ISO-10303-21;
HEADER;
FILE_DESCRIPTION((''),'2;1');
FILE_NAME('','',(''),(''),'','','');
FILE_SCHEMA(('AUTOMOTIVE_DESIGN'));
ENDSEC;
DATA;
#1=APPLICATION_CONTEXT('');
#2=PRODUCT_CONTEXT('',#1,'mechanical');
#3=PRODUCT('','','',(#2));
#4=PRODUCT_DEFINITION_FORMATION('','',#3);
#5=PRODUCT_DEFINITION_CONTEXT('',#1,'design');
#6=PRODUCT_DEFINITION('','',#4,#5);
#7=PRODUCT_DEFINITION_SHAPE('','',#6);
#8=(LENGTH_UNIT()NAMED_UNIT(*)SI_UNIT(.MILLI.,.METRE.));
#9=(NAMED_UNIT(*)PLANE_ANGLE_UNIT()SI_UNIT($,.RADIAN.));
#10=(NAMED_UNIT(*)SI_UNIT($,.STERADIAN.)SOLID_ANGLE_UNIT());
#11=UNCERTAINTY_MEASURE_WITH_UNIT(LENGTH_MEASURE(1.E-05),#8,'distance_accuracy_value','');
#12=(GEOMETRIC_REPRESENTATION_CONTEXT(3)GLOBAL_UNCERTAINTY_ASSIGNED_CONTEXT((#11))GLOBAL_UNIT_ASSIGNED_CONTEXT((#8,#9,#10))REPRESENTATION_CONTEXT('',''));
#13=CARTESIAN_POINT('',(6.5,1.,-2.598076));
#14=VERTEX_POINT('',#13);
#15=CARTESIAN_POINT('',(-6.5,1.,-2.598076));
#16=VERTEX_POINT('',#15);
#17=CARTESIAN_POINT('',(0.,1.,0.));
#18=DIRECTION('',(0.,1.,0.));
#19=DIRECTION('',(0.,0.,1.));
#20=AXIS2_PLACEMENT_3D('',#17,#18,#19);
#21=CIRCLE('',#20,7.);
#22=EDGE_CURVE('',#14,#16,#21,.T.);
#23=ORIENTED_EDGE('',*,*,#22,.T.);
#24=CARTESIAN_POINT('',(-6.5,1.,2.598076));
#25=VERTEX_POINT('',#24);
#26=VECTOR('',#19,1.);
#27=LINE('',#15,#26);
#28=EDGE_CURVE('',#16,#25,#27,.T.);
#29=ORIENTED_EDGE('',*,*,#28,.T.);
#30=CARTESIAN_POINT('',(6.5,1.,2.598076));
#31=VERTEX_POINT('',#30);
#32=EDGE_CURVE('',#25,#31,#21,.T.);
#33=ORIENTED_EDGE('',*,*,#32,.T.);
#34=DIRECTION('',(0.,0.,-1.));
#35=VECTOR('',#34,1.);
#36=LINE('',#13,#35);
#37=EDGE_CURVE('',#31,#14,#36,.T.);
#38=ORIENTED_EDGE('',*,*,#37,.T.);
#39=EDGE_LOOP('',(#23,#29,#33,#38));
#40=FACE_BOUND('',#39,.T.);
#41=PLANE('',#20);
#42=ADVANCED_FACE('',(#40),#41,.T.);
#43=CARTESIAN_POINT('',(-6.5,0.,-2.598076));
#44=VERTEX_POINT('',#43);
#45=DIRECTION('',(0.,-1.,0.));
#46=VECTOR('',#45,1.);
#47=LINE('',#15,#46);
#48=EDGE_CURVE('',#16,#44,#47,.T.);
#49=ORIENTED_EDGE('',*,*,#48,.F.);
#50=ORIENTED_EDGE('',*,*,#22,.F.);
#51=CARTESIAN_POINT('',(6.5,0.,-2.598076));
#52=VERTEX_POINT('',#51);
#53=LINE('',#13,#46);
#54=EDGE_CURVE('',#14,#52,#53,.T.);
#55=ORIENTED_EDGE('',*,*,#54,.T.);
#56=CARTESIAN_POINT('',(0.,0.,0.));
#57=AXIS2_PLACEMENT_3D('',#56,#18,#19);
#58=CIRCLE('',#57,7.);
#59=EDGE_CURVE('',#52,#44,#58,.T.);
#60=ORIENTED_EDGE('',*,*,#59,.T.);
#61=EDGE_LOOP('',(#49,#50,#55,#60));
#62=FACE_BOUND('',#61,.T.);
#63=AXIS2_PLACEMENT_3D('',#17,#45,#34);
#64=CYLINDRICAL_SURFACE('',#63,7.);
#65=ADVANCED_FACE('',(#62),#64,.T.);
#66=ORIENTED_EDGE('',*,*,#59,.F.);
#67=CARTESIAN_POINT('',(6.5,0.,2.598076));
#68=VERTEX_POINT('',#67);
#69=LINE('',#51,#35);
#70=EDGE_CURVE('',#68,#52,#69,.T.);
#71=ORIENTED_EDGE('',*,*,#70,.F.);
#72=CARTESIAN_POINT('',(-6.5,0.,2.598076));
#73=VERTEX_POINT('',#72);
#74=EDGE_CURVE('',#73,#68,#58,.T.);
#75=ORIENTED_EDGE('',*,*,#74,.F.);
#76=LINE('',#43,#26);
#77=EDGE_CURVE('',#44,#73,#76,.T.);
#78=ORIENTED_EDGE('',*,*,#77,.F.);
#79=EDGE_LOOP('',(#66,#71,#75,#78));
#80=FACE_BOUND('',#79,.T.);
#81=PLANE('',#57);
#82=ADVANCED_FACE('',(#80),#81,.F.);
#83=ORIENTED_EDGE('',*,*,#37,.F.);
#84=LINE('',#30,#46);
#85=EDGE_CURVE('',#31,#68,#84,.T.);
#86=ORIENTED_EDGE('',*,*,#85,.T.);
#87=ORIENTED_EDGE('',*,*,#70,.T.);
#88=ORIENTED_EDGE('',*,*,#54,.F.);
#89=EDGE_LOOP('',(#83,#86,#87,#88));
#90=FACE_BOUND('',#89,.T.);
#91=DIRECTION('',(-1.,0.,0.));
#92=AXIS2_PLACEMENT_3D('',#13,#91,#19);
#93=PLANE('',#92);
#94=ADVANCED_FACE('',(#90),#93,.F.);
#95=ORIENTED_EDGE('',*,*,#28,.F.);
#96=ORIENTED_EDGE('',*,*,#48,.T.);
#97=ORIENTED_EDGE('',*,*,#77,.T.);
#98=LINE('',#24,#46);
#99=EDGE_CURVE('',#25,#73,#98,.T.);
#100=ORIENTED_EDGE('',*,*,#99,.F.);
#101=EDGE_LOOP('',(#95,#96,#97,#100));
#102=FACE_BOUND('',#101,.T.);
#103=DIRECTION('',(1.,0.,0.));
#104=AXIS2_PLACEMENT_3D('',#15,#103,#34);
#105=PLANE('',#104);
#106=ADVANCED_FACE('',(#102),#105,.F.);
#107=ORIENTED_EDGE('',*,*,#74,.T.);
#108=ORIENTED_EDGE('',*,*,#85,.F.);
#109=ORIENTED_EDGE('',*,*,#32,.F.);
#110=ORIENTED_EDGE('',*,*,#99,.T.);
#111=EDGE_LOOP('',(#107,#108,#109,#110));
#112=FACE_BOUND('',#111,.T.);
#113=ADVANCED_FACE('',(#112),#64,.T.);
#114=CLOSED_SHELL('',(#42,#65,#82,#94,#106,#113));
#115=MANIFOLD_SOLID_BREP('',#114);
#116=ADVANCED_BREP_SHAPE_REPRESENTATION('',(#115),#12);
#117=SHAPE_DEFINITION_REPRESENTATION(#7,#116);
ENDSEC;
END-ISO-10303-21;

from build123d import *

# Parameters (mm, degrees)
BOSS_EXTRUDE1_DEPTH = 1


with BuildPart() as part:
    # Sketch2 → Boss-Extrude1 (new body)
    with BuildSketch(Plane(origin=(0, 0, 0), x_dir=(1, 0, 0), z_dir=(0, 1, 0))):
        with BuildLine():
            Line((-6.5, 2.598076211), (-6.5, -2.598076211))
            ThreePointArc((-6.5, -2.598076211), (0, -7), (6.5, -2.598076211))
            Line((6.5, -2.598076211), (6.5, 2.598076211))
            ThreePointArc((6.5, 2.598076211), (0, 7), (-6.5, 2.598076211))
        make_face()
    extrude(amount=BOSS_EXTRUDE1_DEPTH)


solid = part.part
